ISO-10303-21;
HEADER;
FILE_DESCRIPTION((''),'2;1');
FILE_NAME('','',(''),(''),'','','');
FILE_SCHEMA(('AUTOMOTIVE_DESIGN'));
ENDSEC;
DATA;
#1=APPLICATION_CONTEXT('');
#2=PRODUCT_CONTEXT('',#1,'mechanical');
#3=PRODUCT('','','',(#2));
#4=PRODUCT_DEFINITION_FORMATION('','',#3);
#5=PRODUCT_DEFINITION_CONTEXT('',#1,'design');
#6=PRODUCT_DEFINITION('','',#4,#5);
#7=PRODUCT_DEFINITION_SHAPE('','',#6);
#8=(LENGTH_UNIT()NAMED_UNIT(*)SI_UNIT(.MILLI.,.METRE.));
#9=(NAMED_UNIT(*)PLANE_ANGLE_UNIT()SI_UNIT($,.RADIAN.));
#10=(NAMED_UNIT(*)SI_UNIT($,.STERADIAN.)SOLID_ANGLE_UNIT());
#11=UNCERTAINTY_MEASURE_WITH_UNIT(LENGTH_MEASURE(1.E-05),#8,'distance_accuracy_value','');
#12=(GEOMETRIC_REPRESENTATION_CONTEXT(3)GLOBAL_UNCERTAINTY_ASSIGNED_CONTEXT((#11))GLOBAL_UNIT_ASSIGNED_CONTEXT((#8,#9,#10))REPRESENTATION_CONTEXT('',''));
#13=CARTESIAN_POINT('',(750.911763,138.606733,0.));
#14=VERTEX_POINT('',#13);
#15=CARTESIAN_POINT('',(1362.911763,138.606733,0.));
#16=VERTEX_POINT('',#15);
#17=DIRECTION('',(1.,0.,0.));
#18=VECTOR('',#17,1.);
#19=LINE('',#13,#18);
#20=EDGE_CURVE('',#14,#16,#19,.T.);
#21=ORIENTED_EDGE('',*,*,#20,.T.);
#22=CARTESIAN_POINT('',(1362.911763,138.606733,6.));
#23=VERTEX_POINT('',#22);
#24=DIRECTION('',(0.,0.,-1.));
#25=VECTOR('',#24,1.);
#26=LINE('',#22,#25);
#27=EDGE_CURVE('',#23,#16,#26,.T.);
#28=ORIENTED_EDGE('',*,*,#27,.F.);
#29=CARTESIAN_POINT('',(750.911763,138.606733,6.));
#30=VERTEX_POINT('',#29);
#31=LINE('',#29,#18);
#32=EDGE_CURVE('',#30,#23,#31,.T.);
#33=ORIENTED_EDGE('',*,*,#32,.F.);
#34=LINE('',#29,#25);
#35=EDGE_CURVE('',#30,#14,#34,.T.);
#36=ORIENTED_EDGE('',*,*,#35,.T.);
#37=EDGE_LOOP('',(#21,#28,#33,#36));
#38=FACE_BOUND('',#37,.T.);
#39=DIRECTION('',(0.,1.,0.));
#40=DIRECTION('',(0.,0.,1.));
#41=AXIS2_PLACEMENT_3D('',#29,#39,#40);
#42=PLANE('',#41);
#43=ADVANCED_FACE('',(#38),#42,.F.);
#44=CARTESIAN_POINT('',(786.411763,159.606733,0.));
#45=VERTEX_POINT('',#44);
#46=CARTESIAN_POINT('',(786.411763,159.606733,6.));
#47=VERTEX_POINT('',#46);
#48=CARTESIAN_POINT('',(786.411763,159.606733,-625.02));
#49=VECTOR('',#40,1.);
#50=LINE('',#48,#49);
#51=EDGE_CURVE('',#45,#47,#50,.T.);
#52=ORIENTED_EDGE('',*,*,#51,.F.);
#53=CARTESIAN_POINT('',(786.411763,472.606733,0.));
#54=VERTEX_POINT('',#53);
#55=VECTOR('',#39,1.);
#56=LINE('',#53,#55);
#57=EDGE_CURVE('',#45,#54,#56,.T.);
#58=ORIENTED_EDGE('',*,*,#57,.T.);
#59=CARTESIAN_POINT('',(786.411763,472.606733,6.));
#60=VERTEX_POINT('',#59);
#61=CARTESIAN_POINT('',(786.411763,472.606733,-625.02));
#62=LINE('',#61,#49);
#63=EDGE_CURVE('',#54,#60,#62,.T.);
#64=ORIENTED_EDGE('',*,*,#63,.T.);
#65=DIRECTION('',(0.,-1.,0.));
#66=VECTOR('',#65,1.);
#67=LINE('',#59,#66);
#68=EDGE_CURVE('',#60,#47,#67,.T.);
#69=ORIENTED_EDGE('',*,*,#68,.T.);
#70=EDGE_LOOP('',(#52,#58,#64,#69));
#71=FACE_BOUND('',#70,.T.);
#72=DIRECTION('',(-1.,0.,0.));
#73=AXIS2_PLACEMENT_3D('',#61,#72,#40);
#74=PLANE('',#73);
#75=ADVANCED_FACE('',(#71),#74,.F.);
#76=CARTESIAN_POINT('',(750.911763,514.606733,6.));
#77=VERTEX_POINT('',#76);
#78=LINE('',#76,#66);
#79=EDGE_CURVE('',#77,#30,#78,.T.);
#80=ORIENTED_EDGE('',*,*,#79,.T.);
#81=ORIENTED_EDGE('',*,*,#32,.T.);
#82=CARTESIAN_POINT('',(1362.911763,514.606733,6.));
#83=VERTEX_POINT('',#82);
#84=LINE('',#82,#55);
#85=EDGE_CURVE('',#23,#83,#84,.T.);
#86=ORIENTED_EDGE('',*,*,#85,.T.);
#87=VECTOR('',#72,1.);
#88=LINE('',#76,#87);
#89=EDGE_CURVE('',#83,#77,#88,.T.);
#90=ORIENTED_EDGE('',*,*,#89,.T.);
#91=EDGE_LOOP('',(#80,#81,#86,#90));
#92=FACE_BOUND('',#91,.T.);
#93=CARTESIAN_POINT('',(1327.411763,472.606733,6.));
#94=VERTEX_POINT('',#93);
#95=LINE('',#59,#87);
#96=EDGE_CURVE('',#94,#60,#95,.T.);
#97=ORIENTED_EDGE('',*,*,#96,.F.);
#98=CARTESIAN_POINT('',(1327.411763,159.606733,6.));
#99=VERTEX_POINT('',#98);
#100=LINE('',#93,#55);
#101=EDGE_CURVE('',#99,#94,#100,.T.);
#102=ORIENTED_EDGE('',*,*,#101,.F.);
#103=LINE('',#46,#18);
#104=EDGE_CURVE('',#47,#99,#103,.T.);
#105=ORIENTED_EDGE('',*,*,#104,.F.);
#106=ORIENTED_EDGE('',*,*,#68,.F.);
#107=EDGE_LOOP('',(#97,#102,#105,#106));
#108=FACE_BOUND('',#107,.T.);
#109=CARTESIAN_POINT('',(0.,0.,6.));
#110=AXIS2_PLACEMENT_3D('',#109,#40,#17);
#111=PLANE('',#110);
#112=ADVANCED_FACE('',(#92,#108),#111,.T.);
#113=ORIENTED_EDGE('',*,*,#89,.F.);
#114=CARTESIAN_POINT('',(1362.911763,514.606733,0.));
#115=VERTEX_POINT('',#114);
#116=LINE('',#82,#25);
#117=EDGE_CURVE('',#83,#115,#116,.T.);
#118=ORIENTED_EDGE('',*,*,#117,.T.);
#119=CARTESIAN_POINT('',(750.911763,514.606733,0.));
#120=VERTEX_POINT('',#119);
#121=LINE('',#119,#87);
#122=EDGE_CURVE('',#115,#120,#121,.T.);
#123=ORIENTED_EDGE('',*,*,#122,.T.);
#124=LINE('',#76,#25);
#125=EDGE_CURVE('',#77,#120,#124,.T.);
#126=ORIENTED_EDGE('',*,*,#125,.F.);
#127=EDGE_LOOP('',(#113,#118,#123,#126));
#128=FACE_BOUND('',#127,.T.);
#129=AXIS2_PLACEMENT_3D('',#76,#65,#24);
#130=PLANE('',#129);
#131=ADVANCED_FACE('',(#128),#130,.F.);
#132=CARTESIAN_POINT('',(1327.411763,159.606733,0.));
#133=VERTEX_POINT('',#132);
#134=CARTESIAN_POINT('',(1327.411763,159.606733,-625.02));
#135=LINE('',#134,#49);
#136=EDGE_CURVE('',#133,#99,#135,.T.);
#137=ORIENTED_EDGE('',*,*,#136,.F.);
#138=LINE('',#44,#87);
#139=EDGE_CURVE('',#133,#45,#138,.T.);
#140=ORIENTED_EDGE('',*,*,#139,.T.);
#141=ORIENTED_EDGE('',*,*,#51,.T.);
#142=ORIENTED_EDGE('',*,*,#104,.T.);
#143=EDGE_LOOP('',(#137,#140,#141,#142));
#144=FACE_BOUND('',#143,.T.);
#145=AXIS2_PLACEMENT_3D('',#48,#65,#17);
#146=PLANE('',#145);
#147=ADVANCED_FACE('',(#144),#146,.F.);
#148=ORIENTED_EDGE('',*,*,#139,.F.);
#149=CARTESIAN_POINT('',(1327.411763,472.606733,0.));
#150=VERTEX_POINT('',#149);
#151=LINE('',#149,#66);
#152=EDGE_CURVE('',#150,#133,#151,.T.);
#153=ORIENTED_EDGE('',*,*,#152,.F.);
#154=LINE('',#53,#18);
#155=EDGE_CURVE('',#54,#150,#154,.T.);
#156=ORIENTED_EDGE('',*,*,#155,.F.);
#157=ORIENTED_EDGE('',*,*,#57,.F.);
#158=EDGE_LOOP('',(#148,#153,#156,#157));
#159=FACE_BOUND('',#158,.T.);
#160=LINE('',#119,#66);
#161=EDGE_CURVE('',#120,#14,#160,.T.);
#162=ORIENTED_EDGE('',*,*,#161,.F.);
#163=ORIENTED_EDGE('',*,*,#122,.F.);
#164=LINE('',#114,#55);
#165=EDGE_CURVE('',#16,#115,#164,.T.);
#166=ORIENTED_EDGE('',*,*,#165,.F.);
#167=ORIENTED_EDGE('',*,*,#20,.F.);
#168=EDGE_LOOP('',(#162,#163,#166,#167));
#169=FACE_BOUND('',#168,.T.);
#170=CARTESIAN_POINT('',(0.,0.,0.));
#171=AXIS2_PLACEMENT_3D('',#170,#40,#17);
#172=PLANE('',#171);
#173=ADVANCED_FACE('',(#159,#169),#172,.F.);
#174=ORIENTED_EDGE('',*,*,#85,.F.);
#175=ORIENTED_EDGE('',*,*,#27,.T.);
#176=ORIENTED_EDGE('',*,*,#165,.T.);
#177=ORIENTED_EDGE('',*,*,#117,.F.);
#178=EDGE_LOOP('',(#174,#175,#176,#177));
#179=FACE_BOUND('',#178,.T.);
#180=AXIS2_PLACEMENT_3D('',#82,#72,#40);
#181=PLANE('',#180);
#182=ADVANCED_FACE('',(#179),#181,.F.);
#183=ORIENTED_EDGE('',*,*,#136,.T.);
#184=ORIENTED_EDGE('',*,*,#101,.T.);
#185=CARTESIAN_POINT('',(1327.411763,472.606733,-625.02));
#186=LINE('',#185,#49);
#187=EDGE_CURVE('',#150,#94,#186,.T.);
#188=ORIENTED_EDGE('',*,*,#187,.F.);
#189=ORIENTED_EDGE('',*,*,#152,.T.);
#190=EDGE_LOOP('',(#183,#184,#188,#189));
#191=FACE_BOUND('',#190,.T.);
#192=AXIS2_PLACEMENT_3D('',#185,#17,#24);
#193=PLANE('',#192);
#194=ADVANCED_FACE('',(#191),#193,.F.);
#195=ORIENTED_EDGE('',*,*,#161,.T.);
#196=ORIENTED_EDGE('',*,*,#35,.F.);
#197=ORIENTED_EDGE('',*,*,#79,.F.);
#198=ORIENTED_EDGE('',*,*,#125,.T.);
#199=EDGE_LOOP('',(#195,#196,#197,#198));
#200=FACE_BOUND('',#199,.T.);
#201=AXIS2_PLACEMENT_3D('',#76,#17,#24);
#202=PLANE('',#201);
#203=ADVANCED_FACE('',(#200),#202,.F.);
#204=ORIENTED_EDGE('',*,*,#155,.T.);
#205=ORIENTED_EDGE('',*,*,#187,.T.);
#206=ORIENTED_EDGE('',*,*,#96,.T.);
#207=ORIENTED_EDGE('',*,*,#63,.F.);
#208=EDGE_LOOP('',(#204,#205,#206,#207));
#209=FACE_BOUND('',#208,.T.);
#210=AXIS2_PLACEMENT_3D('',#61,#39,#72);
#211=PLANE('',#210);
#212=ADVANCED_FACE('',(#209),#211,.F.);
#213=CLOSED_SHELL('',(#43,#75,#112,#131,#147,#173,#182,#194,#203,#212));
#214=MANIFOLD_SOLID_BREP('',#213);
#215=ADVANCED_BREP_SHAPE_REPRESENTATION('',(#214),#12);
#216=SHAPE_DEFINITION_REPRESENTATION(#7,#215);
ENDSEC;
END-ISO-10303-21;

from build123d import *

# Parameters (mm, degrees)
SKETCH_1_W          = 612
SKETCH_1_H          = 376
EXTRUDE_1_DEPTH     = 6
SKETCH_2_W          = 541
SKETCH_2_H          = 313
CUT_EXTRUDE_1_DEPTH = 6


with BuildPart() as part:
    # Эскиз1 → Бобышка-Вытянуть1 (new body)
    with BuildSketch(Plane.XY):
        with Locations((1056.911763318, 326.60673348)):
            Rectangle(SKETCH_1_W, SKETCH_1_H)
    extrude(amount=EXTRUDE_1_DEPTH)

    # Эскиз2 → Вырез-Вытянуть1 (cut)
    with BuildSketch(Plane.XY.offset(6)):
        with Locations((1056.911763318, 316.10673348)):
            Rectangle(SKETCH_2_W, SKETCH_2_H)
    extrude(amount=-CUT_EXTRUDE_1_DEPTH, mode=Mode.SUBTRACT)


solid = part.part
